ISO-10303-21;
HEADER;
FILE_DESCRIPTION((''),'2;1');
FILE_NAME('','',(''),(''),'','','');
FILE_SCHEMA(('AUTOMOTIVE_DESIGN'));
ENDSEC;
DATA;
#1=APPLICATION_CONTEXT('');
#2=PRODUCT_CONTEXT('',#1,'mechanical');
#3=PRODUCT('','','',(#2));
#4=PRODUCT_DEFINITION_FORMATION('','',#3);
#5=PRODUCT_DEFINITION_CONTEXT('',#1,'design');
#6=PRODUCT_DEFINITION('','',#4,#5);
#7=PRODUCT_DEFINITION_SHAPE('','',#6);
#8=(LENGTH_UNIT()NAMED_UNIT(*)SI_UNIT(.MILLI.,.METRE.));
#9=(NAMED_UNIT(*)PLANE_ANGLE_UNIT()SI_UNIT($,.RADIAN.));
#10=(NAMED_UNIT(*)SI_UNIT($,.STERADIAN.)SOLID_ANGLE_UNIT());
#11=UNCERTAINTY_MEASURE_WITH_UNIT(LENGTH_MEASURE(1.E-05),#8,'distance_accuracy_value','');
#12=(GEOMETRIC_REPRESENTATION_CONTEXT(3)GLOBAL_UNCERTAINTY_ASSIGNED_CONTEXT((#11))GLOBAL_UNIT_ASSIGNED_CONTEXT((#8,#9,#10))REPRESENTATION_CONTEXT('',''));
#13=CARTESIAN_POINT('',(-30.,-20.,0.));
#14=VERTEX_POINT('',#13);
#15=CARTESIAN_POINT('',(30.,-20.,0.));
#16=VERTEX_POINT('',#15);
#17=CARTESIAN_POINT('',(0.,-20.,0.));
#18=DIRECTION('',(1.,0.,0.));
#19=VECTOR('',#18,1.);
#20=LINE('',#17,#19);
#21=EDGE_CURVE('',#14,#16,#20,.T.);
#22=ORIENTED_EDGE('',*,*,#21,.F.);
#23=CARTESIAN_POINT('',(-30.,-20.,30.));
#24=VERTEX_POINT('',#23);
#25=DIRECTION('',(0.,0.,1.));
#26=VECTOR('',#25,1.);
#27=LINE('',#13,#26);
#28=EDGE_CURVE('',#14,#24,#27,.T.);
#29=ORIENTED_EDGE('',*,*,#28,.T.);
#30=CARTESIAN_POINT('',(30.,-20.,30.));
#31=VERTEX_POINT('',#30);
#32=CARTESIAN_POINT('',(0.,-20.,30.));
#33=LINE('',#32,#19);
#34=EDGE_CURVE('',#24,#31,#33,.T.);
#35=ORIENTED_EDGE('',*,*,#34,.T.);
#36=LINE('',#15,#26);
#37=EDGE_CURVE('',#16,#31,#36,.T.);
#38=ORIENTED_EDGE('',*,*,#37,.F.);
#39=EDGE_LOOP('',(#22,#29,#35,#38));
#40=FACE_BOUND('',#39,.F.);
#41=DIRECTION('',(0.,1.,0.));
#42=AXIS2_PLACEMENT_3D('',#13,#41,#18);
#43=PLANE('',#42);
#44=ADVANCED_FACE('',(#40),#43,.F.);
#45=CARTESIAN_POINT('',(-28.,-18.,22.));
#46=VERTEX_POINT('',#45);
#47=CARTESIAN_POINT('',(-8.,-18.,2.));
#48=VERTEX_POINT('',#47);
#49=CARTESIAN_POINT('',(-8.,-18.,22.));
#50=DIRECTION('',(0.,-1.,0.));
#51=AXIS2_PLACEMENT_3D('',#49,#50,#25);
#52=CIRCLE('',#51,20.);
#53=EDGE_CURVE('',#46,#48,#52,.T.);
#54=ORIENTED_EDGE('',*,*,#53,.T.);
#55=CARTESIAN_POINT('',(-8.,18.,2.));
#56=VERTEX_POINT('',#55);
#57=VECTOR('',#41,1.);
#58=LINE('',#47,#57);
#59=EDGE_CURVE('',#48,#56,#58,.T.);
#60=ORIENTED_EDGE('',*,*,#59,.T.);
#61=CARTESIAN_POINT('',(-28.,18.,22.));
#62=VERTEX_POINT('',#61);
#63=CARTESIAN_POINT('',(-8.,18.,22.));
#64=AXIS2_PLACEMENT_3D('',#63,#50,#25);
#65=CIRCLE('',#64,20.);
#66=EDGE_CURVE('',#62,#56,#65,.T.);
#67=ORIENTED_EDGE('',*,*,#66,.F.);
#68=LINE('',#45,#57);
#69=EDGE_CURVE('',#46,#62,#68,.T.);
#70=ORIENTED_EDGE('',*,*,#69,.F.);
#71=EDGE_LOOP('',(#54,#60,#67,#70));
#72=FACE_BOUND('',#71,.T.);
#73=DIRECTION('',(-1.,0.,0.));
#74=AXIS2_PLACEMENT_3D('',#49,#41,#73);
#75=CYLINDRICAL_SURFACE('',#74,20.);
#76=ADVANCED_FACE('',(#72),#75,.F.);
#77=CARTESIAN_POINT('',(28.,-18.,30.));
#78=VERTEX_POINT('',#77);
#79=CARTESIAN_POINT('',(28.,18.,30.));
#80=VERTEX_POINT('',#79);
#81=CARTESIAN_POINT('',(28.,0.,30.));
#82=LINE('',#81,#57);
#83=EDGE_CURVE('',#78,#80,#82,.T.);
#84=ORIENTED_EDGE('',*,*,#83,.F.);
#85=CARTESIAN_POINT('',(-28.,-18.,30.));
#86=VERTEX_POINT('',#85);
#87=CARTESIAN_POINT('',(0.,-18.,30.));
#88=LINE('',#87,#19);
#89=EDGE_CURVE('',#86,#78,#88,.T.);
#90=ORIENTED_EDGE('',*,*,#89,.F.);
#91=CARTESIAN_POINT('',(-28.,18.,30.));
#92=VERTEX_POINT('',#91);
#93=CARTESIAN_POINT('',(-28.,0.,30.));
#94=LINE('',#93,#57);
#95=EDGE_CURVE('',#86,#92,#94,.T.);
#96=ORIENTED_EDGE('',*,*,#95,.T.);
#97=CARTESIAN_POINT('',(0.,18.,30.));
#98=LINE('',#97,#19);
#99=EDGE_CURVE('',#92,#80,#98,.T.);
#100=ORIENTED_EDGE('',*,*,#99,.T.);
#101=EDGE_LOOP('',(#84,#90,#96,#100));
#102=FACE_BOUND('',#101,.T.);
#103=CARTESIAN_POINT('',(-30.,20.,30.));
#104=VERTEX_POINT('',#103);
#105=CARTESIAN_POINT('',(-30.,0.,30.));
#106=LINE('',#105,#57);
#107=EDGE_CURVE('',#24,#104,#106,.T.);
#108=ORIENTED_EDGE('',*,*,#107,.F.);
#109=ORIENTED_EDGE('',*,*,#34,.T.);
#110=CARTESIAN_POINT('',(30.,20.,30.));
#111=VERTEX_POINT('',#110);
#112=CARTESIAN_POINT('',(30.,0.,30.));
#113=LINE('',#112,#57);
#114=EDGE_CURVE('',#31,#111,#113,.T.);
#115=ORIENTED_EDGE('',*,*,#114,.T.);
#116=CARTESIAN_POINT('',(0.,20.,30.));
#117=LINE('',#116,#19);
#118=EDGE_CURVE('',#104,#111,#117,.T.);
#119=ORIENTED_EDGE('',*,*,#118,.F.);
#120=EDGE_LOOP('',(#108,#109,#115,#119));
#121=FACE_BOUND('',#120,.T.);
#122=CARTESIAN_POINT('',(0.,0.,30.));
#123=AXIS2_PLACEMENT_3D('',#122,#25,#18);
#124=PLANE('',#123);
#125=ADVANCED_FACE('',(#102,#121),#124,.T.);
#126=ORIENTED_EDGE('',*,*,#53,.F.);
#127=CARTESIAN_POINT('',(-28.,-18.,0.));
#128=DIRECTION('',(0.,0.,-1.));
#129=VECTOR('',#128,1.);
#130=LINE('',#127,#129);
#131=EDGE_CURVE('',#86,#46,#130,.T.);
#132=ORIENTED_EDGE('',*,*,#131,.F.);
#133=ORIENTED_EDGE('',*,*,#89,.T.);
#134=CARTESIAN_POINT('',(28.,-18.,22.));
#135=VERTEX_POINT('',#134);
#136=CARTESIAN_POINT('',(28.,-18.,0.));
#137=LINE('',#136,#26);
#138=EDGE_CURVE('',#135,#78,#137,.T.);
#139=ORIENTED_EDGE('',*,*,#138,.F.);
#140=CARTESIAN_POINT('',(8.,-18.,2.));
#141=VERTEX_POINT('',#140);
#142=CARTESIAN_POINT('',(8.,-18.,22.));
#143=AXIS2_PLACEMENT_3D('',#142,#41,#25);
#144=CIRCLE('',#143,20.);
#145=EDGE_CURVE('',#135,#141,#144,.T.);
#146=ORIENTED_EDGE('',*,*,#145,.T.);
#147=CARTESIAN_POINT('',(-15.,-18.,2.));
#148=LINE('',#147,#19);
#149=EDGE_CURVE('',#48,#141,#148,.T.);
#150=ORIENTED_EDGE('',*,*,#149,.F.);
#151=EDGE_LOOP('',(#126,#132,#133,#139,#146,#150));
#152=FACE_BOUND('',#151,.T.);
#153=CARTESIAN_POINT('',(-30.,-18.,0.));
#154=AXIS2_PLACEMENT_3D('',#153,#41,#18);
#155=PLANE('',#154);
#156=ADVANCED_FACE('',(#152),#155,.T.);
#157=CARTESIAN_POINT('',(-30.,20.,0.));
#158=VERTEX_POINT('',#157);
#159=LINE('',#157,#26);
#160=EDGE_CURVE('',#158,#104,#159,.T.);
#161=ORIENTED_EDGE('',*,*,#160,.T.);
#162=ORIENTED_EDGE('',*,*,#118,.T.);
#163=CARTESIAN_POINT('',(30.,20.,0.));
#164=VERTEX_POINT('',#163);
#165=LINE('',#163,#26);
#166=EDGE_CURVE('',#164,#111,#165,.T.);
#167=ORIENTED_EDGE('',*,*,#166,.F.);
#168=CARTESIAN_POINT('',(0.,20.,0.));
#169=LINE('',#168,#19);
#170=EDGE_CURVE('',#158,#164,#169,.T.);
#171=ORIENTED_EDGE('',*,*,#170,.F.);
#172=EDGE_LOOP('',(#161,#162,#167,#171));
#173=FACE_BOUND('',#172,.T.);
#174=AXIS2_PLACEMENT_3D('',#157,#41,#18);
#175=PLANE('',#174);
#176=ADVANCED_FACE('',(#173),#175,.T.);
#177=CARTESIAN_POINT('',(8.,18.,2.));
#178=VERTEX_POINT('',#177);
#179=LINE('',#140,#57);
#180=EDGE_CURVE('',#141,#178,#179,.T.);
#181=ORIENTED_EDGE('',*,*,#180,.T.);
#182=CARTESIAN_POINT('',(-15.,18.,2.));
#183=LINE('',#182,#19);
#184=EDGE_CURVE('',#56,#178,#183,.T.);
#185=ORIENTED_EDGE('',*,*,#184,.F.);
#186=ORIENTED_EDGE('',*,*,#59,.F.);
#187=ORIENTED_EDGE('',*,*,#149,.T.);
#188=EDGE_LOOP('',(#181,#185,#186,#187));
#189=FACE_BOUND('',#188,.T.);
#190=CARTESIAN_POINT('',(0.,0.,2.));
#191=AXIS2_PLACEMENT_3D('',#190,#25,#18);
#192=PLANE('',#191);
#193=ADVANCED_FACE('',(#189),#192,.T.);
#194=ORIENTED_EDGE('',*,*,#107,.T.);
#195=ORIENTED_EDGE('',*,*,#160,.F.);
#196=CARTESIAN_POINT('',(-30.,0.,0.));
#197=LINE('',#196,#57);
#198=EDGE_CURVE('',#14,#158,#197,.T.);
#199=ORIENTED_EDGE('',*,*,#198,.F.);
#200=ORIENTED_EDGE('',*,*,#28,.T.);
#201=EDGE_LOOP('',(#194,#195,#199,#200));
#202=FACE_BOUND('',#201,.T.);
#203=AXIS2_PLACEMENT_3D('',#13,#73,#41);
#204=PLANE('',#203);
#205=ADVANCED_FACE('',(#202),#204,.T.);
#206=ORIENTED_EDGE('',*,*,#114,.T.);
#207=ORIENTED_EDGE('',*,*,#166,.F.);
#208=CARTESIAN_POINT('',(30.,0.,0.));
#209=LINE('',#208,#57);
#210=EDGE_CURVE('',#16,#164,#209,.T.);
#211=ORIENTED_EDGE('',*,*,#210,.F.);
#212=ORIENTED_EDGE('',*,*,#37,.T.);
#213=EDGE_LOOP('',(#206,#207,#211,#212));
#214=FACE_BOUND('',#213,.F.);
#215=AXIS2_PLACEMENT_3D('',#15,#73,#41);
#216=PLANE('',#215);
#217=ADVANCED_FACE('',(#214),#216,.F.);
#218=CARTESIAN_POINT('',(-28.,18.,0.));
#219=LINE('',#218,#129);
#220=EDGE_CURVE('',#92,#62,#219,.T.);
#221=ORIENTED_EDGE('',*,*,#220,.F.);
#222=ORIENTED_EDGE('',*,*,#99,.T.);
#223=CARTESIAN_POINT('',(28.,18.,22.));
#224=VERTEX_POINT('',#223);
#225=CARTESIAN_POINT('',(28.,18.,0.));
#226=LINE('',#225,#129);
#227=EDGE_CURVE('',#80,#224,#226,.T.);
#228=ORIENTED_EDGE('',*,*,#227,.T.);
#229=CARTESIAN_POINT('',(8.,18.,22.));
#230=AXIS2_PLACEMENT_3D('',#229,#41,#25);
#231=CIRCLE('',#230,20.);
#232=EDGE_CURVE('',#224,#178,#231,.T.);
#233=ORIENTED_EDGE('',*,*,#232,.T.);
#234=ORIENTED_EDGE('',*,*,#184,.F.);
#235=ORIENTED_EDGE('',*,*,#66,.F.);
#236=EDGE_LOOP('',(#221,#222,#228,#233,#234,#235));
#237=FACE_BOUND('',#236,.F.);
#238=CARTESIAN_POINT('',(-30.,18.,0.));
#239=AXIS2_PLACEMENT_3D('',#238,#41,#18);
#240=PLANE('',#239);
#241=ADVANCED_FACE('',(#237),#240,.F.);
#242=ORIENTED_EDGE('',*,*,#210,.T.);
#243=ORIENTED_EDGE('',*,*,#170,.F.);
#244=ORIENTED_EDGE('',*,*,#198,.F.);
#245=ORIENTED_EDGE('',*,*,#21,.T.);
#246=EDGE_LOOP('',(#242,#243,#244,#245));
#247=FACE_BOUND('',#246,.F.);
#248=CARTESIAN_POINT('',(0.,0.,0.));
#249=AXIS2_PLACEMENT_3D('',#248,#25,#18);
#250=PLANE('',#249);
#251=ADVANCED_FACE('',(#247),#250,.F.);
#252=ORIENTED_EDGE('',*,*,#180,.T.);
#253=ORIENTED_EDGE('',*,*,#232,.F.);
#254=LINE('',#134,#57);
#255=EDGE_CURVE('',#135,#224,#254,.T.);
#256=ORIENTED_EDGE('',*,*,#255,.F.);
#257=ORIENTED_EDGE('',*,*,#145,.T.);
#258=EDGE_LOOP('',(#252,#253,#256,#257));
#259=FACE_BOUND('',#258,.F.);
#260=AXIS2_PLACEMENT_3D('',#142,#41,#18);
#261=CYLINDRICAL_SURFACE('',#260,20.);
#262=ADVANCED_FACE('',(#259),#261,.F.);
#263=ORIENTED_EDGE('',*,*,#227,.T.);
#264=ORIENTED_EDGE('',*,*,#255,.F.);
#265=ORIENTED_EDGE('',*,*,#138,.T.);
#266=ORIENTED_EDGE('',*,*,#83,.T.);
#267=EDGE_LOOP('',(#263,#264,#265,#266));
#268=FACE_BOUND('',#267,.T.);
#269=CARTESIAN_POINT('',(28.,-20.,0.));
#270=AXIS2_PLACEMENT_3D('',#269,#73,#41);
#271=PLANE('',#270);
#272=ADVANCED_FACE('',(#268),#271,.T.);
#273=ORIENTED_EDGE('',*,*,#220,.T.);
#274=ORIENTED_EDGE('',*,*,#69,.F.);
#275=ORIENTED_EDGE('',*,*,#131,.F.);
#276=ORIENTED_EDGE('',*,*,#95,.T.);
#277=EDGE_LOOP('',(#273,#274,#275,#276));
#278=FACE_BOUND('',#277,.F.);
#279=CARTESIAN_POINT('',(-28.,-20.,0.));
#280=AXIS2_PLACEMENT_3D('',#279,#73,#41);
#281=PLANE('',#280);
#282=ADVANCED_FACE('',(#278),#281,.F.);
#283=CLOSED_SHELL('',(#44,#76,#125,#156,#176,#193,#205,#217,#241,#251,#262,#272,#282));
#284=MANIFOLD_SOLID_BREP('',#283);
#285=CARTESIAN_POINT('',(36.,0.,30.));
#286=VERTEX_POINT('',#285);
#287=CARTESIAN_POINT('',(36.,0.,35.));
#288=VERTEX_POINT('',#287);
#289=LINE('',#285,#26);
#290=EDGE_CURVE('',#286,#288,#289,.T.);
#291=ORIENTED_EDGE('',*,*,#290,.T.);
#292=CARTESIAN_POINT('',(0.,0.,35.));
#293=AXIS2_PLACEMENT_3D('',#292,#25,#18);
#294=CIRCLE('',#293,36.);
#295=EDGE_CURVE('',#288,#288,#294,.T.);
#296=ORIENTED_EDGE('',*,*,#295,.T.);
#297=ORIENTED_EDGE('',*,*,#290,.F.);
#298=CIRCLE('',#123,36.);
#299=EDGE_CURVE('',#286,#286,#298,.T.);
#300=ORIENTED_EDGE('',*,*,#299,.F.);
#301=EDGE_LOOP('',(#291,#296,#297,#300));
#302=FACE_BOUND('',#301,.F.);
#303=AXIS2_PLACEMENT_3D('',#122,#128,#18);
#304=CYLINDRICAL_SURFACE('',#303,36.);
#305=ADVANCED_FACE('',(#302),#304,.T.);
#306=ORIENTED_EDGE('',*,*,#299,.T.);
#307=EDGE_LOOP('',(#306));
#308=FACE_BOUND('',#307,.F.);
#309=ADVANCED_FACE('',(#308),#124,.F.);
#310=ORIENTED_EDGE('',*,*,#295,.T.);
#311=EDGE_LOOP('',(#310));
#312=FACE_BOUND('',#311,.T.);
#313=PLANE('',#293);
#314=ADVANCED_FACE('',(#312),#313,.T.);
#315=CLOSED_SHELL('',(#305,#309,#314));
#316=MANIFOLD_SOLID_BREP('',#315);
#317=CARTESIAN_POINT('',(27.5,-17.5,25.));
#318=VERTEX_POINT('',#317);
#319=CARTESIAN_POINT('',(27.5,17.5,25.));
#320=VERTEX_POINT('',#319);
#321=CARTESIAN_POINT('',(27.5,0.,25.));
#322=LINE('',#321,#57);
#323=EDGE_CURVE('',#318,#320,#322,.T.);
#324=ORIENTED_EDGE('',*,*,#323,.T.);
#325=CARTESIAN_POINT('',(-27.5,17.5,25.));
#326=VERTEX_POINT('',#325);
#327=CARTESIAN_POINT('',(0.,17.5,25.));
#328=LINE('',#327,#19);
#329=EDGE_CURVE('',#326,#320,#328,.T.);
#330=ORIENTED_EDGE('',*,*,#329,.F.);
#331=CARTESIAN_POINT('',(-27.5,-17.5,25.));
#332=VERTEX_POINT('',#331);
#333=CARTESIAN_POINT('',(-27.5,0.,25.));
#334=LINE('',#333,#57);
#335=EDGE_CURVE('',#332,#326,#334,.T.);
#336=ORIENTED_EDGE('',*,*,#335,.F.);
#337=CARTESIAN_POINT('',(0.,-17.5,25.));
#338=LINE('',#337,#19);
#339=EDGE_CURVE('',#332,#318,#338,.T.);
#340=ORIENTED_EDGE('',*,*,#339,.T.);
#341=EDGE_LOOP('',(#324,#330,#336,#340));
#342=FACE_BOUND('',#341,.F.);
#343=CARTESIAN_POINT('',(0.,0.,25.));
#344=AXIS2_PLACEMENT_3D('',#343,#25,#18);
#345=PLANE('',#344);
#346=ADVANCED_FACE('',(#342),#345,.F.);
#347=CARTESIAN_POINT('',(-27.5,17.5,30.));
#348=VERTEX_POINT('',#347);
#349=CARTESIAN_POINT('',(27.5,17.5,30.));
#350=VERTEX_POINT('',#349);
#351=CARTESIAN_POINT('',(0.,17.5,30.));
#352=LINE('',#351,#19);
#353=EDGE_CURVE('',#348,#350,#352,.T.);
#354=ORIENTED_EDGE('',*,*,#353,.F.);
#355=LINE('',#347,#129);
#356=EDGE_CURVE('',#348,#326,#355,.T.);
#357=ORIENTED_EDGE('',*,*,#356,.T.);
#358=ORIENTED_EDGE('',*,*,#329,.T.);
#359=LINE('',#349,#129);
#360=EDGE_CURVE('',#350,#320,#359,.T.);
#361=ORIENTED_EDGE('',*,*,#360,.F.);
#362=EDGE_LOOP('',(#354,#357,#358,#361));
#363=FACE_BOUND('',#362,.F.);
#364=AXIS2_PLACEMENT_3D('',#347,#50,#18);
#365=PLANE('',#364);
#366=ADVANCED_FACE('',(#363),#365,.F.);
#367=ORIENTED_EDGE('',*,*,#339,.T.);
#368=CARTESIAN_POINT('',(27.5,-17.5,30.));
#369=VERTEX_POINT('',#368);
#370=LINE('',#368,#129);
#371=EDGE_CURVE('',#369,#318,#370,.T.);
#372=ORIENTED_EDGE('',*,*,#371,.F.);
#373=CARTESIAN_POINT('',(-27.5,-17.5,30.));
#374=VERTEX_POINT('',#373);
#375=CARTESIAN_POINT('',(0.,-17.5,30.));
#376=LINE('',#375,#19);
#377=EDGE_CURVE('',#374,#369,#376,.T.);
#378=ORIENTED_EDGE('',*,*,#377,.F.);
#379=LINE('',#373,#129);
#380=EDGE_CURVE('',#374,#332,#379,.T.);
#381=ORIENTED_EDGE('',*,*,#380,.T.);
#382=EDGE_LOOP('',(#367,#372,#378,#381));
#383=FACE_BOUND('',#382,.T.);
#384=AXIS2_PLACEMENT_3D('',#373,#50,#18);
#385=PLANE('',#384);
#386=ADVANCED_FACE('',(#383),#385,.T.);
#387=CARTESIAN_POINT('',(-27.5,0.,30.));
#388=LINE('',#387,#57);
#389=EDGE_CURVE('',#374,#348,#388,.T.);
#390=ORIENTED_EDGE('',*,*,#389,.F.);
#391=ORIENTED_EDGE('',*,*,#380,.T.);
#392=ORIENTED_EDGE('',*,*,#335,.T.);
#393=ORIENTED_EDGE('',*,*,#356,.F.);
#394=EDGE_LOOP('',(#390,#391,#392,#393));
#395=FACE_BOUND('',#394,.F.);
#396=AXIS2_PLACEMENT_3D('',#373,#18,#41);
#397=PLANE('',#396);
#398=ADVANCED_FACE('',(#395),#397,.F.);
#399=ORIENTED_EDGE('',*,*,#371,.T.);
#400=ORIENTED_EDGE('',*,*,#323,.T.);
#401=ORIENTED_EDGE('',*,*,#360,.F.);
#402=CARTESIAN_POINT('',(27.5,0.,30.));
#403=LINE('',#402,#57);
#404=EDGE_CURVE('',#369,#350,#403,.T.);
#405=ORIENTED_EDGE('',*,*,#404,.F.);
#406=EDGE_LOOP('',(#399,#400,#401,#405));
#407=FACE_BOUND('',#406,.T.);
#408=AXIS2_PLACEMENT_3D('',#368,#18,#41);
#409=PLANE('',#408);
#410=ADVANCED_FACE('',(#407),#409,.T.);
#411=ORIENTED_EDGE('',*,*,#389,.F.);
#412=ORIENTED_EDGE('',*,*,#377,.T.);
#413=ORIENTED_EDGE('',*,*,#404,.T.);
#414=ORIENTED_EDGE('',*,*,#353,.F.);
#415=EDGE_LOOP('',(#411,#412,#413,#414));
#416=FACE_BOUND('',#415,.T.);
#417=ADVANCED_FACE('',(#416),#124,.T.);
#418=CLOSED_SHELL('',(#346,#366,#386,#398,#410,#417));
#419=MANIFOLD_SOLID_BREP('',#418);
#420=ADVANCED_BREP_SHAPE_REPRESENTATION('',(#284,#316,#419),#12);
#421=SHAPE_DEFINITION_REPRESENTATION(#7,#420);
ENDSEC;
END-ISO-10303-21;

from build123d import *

# Parameters (mm, degrees)
F0_W     = 60
F0_H     = 40
F1_DEPTH = 30
F2_T     = -2
F3_R     = 20
F4_W     = 55
F4_H     = 35
F5_DEPTH = 5
F6_R     = 36
F6_W     = 55
F6_H     = 35
F7_DEPTH = 5


with BuildPart() as f1:
    # F0 (on Top) → F1 (new body)
    with BuildSketch(Plane.XY):
        Rectangle(F0_W, F0_H)
    extrude(amount=F1_DEPTH)

    # F2
    f2_openings = [f1.faces().sort_by_distance(p)[0] for p in [
        (0, 0, 30),
    ]]
    offset(amount=F2_T, openings=f2_openings)

    # F3
    f3_edges = [f1.edges().sort_by_distance(p)[0] for p in [
        (28, 0, 2),
        (-28, 0, 2),
    ]]
    fillet(f3_edges, radius=F3_R)


with BuildPart() as f5:
    # F4 (on face) → F5 (new body)
    with BuildSketch(Plane.XY.offset(30)):
        Rectangle(F4_W, F4_H)
    extrude(amount=-F5_DEPTH)


with BuildPart() as f7:
    # F6 (on face) → F7 (new body)
    with BuildSketch(Plane.XY.offset(30)):
        Circle(F6_R)
        Rectangle(F6_W, F6_H, mode=Mode.SUBTRACT)
        Rectangle(F6_W, F6_H)
    extrude(amount=F7_DEPTH)


solid = Compound([f1.part, f5.part, f7.part])
